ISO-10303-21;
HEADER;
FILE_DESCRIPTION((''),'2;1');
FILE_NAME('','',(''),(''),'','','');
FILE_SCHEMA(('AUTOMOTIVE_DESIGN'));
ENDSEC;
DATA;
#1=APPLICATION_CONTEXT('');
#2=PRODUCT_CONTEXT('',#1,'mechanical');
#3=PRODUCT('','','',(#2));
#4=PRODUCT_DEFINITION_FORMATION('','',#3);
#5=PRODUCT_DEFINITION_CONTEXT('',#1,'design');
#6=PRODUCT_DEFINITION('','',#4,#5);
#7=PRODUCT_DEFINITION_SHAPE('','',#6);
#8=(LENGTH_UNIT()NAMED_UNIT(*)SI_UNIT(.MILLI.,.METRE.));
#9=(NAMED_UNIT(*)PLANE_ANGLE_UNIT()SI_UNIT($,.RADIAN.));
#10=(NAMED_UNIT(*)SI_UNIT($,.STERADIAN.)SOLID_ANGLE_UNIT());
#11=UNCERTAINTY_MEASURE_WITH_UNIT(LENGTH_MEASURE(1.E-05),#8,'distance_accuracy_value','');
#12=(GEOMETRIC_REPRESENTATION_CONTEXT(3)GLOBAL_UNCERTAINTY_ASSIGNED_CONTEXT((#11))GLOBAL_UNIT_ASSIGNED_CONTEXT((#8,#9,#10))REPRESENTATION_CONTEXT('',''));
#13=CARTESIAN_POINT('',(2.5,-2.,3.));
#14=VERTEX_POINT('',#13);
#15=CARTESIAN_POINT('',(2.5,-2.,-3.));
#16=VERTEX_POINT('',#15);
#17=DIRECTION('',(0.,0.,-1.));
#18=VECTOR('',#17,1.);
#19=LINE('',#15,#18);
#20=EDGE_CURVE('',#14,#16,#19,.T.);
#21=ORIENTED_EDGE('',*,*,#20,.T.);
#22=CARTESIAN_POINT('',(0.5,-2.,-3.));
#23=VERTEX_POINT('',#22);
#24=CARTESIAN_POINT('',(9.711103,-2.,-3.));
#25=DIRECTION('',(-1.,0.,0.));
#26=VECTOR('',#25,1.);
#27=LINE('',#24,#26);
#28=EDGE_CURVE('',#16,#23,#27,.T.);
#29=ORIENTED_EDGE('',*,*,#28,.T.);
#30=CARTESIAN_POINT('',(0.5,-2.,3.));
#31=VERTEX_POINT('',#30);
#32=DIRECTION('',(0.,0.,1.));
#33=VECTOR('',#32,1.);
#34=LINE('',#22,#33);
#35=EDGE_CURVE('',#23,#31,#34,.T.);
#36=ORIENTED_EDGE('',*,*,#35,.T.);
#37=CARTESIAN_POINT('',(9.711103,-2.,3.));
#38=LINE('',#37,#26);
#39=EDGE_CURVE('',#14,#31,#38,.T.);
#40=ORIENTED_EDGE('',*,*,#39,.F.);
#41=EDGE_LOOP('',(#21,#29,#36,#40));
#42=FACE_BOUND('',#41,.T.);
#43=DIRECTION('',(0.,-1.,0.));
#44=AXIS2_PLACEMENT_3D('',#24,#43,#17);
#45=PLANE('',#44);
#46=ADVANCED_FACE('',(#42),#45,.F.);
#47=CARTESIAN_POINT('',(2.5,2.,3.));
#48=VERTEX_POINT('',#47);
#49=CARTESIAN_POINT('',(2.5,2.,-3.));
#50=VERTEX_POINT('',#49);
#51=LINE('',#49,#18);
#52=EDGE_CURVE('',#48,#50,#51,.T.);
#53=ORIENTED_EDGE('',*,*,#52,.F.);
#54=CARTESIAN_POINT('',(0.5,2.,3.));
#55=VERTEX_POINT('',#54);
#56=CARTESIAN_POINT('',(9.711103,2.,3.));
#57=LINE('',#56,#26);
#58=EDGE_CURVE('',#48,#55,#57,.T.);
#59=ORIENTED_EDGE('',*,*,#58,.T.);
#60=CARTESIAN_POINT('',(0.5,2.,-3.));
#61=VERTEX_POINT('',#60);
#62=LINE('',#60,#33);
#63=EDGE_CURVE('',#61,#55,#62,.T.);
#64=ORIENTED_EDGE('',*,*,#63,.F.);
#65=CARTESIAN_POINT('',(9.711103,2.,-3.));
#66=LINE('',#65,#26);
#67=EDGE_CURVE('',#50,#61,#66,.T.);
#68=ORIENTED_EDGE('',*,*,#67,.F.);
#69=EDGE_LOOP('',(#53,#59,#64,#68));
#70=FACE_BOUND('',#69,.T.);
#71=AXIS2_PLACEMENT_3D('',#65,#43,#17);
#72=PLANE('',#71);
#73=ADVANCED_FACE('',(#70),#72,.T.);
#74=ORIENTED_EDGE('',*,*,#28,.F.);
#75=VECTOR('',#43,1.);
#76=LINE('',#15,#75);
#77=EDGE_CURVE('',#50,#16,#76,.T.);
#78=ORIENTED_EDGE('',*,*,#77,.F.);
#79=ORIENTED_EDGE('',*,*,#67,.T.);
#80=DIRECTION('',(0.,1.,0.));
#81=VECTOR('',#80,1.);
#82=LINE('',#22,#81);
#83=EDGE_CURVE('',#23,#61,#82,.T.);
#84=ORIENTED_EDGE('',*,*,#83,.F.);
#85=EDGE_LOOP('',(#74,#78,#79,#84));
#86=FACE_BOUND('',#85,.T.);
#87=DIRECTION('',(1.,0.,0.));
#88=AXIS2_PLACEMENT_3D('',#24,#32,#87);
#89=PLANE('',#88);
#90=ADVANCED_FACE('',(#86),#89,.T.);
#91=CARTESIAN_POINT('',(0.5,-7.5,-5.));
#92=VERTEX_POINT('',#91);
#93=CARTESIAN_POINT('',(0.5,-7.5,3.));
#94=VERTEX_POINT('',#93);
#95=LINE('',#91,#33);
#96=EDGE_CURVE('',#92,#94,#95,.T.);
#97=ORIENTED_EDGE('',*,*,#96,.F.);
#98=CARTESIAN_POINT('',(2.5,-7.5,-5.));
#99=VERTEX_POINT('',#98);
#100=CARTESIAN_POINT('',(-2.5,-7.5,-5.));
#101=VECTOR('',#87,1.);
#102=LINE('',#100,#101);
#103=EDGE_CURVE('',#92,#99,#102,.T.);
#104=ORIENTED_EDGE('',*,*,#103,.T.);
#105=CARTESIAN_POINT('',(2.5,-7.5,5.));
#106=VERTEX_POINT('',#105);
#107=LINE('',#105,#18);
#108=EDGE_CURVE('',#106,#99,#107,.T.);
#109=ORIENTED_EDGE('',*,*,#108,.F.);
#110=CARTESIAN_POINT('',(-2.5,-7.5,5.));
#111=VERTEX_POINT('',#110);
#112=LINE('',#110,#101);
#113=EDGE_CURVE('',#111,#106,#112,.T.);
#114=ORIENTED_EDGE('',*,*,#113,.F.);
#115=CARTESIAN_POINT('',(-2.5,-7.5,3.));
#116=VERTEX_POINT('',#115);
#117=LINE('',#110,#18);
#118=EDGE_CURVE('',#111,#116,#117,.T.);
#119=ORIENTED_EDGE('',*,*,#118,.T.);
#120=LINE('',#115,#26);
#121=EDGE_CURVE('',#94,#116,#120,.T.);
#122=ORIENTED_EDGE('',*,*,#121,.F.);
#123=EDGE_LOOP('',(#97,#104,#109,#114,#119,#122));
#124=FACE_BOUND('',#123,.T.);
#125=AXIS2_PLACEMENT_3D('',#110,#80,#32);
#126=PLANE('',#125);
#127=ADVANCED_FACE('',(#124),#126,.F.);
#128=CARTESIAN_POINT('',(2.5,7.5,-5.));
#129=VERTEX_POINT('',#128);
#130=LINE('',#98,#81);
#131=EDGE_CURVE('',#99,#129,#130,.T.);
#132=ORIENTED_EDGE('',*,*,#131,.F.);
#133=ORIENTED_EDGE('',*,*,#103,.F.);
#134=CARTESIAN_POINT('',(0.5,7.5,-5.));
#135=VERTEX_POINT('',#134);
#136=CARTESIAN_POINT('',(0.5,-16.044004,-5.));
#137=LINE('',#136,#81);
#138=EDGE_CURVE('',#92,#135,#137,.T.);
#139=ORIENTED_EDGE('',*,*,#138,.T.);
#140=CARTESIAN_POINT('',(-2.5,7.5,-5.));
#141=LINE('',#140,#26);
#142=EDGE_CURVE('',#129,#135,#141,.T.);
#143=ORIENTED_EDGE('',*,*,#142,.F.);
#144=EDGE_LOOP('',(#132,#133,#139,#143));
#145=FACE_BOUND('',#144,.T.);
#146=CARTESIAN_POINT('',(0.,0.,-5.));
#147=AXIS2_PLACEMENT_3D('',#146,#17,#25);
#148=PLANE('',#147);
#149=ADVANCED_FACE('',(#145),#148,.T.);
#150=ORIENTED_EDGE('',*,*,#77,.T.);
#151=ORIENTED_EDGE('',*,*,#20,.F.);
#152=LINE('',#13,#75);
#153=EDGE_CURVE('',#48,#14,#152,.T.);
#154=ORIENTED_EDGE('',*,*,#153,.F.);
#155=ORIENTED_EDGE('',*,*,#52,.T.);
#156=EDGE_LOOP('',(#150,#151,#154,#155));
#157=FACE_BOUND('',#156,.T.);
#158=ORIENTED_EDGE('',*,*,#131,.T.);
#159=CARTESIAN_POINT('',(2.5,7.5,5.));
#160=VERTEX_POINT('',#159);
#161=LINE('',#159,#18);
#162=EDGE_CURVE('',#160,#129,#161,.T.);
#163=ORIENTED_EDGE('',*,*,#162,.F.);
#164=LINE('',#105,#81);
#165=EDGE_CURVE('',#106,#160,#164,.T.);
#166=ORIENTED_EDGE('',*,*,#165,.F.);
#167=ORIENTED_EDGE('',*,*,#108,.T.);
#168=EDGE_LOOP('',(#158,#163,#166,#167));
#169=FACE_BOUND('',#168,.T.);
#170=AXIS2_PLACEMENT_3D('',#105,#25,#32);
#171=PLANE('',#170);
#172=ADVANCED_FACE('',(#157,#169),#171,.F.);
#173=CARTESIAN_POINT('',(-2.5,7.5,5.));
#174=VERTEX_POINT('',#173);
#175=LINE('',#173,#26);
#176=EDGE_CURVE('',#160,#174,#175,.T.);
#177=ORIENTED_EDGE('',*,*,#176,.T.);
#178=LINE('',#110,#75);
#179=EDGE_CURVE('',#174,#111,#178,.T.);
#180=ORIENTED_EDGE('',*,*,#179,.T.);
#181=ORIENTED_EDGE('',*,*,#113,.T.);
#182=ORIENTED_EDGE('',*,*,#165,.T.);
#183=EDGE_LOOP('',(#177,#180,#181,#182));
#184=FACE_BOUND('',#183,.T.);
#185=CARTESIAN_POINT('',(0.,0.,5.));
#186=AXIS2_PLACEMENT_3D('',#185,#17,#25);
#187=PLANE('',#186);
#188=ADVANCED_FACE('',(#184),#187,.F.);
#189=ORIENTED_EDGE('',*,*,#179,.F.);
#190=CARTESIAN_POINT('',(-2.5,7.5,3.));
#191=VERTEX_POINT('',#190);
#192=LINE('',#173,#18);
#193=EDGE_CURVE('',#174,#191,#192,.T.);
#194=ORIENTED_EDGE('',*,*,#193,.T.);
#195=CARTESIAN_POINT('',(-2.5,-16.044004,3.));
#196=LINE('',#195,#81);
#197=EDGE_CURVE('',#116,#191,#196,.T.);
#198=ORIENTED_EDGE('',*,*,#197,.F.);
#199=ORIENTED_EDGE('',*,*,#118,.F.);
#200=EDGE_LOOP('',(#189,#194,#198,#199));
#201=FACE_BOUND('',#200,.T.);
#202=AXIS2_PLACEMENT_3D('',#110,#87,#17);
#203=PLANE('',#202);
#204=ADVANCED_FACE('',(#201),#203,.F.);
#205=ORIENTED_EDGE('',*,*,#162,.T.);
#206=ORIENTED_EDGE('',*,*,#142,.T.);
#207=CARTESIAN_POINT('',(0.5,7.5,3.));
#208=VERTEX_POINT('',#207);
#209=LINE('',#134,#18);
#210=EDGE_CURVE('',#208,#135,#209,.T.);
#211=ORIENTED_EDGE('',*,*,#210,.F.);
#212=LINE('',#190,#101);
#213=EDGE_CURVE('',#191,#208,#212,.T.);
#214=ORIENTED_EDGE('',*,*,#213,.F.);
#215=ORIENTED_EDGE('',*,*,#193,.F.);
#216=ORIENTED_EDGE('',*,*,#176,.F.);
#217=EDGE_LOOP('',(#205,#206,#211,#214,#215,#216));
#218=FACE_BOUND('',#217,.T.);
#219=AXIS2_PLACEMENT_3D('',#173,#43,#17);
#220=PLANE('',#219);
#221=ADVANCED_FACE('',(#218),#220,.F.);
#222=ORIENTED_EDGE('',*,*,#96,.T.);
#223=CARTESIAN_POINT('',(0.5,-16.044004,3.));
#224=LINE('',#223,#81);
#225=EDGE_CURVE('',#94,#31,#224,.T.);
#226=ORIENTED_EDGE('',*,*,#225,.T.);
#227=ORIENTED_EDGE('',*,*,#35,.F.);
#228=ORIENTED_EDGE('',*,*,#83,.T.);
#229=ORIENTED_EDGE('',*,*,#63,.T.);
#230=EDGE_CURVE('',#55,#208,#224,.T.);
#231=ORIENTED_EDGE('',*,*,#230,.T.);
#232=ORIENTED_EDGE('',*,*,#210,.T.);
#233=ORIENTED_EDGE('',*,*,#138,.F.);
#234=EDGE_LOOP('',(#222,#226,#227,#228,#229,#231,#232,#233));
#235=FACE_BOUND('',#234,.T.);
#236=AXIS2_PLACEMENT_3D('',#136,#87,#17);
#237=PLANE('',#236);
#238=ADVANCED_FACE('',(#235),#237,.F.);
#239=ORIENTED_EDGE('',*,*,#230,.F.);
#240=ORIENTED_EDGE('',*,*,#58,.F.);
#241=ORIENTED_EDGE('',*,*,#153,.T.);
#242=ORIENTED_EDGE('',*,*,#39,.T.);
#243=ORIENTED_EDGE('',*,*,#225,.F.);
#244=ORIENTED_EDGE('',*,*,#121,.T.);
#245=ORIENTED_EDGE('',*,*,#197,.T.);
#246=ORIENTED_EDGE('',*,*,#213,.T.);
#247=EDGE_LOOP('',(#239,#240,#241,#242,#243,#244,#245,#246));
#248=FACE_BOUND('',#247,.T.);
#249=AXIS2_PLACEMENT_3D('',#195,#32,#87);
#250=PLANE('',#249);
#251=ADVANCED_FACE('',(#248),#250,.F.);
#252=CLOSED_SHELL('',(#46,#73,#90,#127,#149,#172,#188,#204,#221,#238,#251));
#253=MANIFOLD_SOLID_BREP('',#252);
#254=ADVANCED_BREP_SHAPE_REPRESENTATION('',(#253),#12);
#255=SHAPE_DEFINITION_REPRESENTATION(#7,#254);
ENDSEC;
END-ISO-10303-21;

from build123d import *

# Parameters (mm, degrees)
SKETCH1_W           = 5
SKETCH1_H           = 15
BOSS_EXTRUDE1_DEPTH = 5
SKETCH4_W           = 3
SKETCH4_H           = 8
CUT_EXTRUDE3_DEPTH  = 15
SKETCH5_W           = 6
SKETCH5_H           = 4
CUT_EXTRUDE5_DEPTH  = 2


with BuildPart() as part:
    # Sketch1 → Boss-Extrude1 (new, symmetric)
    with BuildSketch(Plane.XY):
        Rectangle(SKETCH1_W, SKETCH1_H)
    extrude(amount=BOSS_EXTRUDE1_DEPTH, both=True)

    # Sketch4 → Cut-Extrude3 (cut)
    with BuildSketch(Plane(origin=(0, 7.5, 0), x_dir=(1, 0, 0), z_dir=(0, 1, 0))):
        with Locations((-1, 1)):
            Rectangle(SKETCH4_W, SKETCH4_H)
    extrude(amount=-CUT_EXTRUDE3_DEPTH, mode=Mode.SUBTRACT)

    # Sketch5 → Cut-Extrude5 (cut)
    with BuildSketch(Plane.ZY.offset(-0.5)):
        Rectangle(SKETCH5_W, SKETCH5_H)
    extrude(amount=-CUT_EXTRUDE5_DEPTH, mode=Mode.SUBTRACT)


solid = part.part
